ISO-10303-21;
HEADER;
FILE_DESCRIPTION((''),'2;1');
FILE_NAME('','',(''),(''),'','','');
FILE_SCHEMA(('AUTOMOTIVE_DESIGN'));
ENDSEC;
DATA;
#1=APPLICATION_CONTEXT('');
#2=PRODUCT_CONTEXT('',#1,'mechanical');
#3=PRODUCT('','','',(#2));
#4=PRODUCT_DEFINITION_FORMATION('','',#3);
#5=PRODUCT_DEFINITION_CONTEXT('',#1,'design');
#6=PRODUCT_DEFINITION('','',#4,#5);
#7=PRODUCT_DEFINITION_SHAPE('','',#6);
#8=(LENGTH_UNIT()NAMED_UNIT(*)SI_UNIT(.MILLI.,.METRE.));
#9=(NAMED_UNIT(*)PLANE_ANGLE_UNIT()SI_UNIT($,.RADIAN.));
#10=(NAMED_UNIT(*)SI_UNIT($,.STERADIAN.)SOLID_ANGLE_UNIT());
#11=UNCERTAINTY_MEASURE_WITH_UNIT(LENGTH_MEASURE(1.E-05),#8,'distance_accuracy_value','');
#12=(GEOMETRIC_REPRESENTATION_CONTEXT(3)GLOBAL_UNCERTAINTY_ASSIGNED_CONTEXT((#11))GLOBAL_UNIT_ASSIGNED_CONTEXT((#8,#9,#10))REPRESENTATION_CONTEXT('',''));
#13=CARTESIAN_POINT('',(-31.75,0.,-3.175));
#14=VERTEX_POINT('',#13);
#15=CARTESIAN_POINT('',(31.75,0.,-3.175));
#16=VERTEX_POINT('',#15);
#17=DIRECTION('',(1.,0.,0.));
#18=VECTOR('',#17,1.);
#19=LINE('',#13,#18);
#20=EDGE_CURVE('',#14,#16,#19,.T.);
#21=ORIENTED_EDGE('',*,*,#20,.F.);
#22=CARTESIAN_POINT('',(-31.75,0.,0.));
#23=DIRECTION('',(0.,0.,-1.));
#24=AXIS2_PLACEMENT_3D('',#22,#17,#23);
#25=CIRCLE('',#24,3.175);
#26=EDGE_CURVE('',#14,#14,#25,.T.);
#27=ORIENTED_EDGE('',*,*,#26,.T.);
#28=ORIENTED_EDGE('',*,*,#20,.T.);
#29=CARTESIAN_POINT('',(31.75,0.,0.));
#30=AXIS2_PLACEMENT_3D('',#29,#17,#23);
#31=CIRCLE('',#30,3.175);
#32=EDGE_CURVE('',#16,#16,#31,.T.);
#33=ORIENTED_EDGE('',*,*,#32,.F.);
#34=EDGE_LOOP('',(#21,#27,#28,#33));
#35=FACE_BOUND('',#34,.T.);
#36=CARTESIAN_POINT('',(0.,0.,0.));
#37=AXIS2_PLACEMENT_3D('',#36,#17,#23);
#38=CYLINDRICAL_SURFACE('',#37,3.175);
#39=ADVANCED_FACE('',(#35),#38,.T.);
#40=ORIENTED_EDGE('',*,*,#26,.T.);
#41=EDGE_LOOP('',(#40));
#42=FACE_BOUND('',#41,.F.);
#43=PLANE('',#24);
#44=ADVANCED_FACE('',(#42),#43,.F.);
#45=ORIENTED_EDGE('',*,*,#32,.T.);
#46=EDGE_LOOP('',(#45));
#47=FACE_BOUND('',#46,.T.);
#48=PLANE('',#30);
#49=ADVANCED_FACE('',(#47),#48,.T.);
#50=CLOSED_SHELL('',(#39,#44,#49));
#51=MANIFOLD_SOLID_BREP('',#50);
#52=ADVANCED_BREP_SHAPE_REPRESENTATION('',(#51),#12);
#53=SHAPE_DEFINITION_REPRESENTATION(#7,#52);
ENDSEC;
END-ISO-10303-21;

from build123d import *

# Parameters (mm, degrees)
SKETCH1_R  = 3.175
MAIN_DEPTH = 31.75


with BuildPart() as part:
    # Sketch1 → main (new body, symmetric)
    with BuildSketch(Plane(origin=(0, 0, 0), x_dir=(0, 0, -1), z_dir=(1, 0, 0))):
        Circle(SKETCH1_R)
    extrude(amount=MAIN_DEPTH, both=True)


solid = part.part
